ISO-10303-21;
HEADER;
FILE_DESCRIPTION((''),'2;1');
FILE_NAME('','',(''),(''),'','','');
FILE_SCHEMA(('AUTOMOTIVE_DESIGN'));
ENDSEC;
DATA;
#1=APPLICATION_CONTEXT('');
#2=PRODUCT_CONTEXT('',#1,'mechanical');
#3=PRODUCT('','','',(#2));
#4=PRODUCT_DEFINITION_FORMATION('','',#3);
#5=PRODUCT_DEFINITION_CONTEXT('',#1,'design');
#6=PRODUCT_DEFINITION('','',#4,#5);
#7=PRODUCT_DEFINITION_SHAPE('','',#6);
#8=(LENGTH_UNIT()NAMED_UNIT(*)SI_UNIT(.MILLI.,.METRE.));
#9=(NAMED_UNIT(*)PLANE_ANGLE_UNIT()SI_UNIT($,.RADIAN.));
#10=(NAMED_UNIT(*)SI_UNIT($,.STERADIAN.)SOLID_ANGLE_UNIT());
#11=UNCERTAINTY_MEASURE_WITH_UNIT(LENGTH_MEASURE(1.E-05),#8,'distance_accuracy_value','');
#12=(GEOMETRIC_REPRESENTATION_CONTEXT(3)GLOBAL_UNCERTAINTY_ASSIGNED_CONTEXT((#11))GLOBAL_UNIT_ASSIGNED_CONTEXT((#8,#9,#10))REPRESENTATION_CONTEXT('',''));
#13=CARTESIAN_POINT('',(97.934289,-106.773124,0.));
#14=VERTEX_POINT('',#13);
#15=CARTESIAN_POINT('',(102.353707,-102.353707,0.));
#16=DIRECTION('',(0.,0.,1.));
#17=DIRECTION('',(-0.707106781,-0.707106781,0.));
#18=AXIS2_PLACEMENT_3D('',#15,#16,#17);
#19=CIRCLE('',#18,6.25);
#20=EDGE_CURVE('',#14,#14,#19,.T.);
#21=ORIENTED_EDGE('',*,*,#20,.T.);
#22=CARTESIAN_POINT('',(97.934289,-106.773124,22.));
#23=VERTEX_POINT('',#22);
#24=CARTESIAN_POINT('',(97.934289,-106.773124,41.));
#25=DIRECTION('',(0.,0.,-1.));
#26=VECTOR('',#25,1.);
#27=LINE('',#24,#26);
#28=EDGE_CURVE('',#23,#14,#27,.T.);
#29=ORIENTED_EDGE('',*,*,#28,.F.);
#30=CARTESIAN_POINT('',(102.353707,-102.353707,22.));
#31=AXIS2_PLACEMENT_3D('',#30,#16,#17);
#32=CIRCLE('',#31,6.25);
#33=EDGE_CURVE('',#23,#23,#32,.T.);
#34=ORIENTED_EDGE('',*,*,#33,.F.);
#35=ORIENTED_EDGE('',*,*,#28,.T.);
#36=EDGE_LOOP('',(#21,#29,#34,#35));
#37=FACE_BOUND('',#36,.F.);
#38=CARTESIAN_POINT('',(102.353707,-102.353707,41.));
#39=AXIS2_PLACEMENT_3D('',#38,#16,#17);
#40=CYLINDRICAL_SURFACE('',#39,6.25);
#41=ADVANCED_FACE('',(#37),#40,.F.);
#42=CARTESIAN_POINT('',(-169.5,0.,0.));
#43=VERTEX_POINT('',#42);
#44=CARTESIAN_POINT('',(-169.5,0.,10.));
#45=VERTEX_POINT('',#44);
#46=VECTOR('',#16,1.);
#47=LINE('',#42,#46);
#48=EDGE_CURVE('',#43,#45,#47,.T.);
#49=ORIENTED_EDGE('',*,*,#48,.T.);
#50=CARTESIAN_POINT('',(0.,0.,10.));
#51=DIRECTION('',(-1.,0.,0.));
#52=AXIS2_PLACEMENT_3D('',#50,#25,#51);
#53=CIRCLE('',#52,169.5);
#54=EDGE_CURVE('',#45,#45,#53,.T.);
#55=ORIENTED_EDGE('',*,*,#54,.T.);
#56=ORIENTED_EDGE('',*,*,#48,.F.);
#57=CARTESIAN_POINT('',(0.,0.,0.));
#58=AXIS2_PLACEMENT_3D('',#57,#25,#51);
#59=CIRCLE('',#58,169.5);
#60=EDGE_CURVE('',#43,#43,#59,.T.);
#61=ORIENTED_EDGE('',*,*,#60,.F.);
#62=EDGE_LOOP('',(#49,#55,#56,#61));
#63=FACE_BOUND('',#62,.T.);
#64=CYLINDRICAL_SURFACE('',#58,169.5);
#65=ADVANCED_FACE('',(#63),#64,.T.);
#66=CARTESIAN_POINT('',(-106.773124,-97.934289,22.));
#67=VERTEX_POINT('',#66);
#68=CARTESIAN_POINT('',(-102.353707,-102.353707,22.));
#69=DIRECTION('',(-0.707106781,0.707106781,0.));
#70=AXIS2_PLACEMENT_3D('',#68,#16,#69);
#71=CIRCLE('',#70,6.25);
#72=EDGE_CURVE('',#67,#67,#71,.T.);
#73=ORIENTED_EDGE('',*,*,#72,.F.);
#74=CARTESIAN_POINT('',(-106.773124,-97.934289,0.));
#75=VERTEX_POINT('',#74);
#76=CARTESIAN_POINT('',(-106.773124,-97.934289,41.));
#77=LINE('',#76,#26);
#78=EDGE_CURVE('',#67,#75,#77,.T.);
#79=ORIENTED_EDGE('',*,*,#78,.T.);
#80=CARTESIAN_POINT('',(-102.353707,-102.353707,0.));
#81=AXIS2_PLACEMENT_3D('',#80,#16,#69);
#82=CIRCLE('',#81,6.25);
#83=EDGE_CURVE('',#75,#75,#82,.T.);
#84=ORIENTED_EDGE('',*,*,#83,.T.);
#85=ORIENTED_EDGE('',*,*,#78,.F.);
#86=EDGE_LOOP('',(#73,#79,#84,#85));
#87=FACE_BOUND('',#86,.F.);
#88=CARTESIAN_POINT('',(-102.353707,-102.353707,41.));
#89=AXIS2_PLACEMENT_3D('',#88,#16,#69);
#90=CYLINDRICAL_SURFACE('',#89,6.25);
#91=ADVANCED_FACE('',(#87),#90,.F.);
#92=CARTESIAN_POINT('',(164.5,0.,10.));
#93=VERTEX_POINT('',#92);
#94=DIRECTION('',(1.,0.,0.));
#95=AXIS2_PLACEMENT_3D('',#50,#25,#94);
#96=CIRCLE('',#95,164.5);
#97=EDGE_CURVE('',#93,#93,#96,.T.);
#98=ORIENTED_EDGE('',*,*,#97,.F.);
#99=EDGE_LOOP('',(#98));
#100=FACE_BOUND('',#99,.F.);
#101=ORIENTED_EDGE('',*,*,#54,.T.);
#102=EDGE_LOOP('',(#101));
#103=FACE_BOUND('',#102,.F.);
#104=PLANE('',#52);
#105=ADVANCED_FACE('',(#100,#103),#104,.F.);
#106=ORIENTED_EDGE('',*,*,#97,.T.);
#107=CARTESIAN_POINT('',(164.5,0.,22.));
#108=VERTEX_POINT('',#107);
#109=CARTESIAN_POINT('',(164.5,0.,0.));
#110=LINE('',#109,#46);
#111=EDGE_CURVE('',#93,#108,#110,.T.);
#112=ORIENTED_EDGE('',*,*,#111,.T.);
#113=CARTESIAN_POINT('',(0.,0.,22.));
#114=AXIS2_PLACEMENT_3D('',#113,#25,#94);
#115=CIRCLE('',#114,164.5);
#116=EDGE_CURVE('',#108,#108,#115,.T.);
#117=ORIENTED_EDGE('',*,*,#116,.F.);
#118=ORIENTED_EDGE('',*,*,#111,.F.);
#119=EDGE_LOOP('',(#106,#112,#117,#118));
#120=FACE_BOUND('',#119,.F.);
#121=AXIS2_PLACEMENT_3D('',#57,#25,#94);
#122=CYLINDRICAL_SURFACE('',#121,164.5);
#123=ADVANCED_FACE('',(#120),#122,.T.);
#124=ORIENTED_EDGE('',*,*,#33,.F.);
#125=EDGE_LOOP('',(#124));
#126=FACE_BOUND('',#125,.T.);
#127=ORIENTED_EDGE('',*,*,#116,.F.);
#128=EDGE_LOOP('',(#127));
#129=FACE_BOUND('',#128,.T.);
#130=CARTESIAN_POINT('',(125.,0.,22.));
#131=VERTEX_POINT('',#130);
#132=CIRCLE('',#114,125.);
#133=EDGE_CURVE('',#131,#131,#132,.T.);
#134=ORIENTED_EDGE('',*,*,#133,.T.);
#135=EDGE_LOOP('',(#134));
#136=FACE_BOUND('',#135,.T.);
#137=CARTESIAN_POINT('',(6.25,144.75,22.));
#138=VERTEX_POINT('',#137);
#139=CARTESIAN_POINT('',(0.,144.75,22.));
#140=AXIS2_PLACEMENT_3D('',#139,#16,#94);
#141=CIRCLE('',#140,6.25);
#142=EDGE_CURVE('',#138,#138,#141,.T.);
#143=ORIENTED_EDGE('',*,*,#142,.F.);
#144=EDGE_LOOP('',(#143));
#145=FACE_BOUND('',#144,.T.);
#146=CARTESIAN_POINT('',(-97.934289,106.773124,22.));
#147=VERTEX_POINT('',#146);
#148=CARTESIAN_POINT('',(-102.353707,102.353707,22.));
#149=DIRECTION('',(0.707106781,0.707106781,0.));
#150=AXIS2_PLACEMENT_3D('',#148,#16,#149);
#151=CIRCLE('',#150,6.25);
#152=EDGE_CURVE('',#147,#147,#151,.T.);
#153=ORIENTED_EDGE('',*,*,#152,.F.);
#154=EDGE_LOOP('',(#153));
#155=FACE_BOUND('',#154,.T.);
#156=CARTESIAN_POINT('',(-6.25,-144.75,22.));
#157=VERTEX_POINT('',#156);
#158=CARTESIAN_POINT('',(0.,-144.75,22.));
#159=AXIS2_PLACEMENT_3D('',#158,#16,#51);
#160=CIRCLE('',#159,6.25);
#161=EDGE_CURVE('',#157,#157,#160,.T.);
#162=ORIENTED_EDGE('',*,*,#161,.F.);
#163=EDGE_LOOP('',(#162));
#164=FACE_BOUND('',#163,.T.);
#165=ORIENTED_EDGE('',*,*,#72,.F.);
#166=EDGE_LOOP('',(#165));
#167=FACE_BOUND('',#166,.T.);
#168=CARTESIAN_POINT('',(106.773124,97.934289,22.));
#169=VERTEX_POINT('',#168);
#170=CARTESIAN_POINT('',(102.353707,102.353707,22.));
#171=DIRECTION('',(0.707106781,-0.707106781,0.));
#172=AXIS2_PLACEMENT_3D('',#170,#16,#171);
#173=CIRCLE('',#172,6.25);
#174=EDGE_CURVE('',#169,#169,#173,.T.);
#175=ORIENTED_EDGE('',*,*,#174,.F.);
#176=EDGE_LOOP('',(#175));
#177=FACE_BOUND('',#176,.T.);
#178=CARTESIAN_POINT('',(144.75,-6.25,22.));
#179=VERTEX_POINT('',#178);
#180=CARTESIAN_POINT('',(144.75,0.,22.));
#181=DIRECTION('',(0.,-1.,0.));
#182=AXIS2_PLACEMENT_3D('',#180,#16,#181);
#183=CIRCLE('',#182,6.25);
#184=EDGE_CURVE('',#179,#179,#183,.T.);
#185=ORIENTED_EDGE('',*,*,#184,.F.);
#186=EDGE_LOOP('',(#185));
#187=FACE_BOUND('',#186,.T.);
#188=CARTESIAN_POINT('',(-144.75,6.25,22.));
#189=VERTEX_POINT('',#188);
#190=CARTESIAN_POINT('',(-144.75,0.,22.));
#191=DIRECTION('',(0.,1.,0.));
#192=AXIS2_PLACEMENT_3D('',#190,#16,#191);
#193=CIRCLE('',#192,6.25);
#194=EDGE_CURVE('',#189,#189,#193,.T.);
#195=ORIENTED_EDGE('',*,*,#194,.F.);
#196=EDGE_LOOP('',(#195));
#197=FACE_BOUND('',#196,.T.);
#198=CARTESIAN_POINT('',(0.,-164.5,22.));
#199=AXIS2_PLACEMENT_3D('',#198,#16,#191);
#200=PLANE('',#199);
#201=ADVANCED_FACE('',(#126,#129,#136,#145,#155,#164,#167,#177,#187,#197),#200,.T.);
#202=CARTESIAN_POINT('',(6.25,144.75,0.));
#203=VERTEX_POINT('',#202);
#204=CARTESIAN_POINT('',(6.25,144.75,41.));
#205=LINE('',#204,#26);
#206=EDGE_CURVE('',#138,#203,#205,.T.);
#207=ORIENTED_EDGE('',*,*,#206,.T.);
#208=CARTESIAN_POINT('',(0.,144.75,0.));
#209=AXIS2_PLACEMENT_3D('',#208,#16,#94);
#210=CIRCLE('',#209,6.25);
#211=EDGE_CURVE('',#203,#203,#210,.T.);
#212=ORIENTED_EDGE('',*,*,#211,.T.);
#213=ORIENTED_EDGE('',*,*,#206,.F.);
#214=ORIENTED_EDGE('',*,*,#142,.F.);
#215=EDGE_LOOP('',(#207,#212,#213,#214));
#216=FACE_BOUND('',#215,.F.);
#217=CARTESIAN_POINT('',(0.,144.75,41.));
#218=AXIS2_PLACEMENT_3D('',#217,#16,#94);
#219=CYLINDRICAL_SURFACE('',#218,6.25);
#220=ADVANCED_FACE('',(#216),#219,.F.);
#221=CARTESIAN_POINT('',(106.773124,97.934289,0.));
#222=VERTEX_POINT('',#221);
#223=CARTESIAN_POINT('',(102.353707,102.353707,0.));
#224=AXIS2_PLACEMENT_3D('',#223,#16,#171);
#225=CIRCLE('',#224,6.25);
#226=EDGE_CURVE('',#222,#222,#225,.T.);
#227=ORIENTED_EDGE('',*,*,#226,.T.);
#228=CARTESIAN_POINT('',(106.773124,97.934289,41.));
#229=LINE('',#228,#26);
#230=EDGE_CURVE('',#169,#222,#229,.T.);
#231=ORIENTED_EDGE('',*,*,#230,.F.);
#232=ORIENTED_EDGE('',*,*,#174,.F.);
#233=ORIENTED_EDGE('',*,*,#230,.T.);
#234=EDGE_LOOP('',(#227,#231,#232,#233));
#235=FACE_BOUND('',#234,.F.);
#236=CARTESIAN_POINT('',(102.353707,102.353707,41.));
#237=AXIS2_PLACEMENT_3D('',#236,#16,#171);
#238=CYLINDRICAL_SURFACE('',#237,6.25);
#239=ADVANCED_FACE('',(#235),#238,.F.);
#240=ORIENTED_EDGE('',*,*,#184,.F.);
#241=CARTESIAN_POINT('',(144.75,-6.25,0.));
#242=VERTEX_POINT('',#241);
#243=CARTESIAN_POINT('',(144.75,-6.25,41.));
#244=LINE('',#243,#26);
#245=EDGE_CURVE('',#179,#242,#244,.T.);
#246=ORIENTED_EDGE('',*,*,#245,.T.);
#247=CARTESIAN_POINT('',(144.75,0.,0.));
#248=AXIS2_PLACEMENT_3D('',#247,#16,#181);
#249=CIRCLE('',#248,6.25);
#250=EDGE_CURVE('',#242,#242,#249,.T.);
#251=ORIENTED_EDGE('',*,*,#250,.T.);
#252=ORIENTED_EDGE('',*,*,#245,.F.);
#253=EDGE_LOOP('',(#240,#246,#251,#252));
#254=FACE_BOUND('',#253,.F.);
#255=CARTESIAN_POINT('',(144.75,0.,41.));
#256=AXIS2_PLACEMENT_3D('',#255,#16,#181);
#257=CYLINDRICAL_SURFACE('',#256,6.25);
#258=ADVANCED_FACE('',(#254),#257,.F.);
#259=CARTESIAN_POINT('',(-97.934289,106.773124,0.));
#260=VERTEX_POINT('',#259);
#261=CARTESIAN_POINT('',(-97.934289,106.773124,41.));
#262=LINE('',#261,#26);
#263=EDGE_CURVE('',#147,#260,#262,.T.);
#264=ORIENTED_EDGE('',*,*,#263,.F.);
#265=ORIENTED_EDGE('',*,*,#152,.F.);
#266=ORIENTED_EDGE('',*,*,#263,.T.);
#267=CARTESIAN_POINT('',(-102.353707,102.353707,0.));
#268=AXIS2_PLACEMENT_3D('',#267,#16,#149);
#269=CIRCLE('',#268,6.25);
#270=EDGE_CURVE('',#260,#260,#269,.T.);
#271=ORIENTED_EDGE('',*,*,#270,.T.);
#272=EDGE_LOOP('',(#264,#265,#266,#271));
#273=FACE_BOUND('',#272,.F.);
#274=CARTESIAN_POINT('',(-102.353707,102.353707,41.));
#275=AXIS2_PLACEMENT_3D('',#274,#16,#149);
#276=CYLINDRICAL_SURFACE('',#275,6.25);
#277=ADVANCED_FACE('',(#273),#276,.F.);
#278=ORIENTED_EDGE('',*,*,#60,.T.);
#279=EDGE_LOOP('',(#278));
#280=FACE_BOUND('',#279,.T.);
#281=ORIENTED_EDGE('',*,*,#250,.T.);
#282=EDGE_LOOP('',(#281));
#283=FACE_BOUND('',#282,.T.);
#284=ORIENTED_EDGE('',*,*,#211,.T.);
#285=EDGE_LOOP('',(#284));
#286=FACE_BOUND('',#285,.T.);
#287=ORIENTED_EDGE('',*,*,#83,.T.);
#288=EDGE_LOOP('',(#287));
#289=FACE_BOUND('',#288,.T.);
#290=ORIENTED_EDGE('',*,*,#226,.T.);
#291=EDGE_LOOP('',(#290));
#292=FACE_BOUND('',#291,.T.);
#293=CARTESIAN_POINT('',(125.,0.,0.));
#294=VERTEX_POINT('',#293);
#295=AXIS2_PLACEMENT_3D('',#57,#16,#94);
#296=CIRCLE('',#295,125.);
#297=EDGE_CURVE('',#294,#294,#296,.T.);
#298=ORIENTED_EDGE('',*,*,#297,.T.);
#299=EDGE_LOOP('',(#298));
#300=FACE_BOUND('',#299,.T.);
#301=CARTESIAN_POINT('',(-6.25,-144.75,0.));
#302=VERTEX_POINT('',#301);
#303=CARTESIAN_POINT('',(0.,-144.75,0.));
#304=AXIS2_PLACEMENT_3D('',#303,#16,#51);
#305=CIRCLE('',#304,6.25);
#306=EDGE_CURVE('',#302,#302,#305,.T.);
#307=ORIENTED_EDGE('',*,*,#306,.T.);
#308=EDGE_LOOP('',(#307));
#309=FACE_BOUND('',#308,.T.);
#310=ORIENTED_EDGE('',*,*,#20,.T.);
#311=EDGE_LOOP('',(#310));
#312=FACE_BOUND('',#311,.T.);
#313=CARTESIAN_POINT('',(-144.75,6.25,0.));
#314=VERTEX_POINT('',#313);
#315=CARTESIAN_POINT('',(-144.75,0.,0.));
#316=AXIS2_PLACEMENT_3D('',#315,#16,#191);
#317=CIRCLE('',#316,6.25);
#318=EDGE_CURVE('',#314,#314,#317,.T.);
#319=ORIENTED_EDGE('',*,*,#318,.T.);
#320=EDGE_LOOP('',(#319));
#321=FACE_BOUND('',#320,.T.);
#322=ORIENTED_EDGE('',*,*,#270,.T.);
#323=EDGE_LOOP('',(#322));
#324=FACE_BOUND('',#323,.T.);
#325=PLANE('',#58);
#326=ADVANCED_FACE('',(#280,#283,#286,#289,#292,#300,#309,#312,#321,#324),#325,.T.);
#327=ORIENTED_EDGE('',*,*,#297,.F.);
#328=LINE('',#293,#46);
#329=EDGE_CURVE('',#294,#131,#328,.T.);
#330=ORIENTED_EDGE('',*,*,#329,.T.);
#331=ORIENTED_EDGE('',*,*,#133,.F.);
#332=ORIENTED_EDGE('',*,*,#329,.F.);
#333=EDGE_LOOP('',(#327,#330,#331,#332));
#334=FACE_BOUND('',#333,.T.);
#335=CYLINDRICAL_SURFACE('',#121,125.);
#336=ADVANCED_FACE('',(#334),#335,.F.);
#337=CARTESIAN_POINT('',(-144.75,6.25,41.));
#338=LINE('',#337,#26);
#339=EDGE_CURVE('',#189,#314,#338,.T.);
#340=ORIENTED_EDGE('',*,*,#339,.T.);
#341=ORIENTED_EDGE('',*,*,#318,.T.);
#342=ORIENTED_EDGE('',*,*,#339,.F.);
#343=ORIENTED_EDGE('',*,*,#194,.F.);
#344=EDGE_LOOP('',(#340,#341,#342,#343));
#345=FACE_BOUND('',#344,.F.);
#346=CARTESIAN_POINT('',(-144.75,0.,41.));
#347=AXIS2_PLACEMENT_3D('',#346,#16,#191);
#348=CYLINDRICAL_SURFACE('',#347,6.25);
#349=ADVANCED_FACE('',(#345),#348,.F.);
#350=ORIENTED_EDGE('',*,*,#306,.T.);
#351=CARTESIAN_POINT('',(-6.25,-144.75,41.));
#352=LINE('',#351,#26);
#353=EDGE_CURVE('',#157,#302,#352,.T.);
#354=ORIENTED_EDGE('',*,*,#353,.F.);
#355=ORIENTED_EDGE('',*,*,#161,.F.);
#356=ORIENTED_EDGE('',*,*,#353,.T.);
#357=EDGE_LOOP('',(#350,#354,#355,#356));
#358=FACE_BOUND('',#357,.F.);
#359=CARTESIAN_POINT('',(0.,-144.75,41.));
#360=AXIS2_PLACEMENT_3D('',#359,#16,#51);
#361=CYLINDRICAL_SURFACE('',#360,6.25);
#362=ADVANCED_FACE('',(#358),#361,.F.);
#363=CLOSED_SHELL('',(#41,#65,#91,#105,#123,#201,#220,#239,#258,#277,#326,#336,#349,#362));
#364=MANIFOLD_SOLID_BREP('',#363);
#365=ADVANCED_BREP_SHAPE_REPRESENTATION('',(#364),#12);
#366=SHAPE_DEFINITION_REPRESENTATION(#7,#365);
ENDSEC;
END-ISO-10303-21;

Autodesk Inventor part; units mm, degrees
ref_plane "YZ Plane" through (0, 0, 0) normal (1, 0, 0) x (0, 1, 0)
ref_plane "XZ Plane" through (0, 0, 0) normal (0, 1, 0) x (-1, 0, 0)
ref_plane "XY Plane" through (0, 0, 0) normal (0, 0, 1) x (1, 0, 0)
sketch "Sketch1" plane through (0, 0, 0) normal (0, 0, 1) x (1, 0, 0)
  circle A0 centre (0, 0) radius 125
  circle A1 centre (0, 0) radius 164.5
  dimension "d0" = 39.5
  dimension "d1" = 250
extrude "Extrusion1" add sketch "Sketch1" along normal blind 41
sketch "Sketch2" plane through (0, 0, 41) normal (0, 0, 1) x (1, 0, 0)
  circle A0 centre (0, 0) radius 164.5 construction
  circle A1 centre (0, 0) radius 125 construction
  line L0 (0, 164.5) -> (0, 125) construction
  circle A2 centre (0, 144.75) radius 6.25
  dimension "d4" = 12.5
extrude "Extrusion2" cut sketch "Sketch2" against normal through all
sketch "Sketch3" plane through (0, 0, 41) normal (0, 0, 1) x (1, 0, 0)
  circle A0 centre (0, 144.75) radius 6.25 projected
  circle A1 centre (0, 144.75) radius 13.75
  point P0 (0, 0)
  dimension "d10" = 27.5
extrude "Extrusion3" cut sketch "Sketch3" against normal blind 11
pattern_circular "Circular Pattern1" count 8 over 360 about axis through (0, 0, 0) along (0, 0, 1) of "Extrusion2", "Extrusion3"
sketch "Sketch4" plane through (0, 0, 0) normal (0, 0, -1) x (-1, 0, 0)
  circle A0 centre (0, 0) radius 164.5 projected
  circle A1 centre (0, 0) radius 169.5
  dimension "d13" = 5
extrude "Extrusion4" add sketch "Sketch4" against normal blind 10
sketch "Sketch5" plane through (0, 0, 0) normal (1, 0, 0) x (0, 1, 0)
  line L0 (164.5, 10) -> (-164.5, 10) projected
  line L1 (164.5, 41) -> (-164.5, 41) projected
  line L2 (169.5, 10) -> (-169.5, 10) projected
  line L3 (-169.5, 0) -> (169.5, 0) projected
  line L4 (164.5, 41) -> (164.5, 10)
  line L5 (164.5, 10) -> (164.5, 41) projected
  line L6 (169.5, 10) -> (169.5, 0)
  line L7 (-164.5, 41) -> (-164.5, 10)
  line L8 (-169.5, 10) -> (-169.5, 0)
  line L9 (-164.5, 22) -> (164.5, 22)
  point P0 (0, 0)
  point P1 (164.5, 22)
  dimension "d16" = 19
  dimension "d17" = 41
extrude "Extrusion5" cut sketch "Sketch5" along normal through all both and the other way through all contours L9 L7 L1 L4
equation "\"d1\" = Вал_ось_диаметр_НОС"
equation "\"BendRadius\" = Thickness"
equation "\"BendReliefWidth\" = Thickness"
equation "\"BendReliefDepth\" = 0.5 * Thickness"
equation "\"CornerReliefSize\" = 4 * Thickness"
equation "\"MinimumRemnant\" = 2 * Thickness"
equation "\"TransitionRadius\" = BendRadius"
equation "\"JacobiRadiusSize\" = BendRadius"
equation "\"GapSize\" = Thickness"
equation "\"Вал_ось_диаметр_НОС\" = 250"
equation "\"Thickness\" = 19"
properties part number "ДМФ 01 31.1 Барабан Опорное кольцо НОС"
